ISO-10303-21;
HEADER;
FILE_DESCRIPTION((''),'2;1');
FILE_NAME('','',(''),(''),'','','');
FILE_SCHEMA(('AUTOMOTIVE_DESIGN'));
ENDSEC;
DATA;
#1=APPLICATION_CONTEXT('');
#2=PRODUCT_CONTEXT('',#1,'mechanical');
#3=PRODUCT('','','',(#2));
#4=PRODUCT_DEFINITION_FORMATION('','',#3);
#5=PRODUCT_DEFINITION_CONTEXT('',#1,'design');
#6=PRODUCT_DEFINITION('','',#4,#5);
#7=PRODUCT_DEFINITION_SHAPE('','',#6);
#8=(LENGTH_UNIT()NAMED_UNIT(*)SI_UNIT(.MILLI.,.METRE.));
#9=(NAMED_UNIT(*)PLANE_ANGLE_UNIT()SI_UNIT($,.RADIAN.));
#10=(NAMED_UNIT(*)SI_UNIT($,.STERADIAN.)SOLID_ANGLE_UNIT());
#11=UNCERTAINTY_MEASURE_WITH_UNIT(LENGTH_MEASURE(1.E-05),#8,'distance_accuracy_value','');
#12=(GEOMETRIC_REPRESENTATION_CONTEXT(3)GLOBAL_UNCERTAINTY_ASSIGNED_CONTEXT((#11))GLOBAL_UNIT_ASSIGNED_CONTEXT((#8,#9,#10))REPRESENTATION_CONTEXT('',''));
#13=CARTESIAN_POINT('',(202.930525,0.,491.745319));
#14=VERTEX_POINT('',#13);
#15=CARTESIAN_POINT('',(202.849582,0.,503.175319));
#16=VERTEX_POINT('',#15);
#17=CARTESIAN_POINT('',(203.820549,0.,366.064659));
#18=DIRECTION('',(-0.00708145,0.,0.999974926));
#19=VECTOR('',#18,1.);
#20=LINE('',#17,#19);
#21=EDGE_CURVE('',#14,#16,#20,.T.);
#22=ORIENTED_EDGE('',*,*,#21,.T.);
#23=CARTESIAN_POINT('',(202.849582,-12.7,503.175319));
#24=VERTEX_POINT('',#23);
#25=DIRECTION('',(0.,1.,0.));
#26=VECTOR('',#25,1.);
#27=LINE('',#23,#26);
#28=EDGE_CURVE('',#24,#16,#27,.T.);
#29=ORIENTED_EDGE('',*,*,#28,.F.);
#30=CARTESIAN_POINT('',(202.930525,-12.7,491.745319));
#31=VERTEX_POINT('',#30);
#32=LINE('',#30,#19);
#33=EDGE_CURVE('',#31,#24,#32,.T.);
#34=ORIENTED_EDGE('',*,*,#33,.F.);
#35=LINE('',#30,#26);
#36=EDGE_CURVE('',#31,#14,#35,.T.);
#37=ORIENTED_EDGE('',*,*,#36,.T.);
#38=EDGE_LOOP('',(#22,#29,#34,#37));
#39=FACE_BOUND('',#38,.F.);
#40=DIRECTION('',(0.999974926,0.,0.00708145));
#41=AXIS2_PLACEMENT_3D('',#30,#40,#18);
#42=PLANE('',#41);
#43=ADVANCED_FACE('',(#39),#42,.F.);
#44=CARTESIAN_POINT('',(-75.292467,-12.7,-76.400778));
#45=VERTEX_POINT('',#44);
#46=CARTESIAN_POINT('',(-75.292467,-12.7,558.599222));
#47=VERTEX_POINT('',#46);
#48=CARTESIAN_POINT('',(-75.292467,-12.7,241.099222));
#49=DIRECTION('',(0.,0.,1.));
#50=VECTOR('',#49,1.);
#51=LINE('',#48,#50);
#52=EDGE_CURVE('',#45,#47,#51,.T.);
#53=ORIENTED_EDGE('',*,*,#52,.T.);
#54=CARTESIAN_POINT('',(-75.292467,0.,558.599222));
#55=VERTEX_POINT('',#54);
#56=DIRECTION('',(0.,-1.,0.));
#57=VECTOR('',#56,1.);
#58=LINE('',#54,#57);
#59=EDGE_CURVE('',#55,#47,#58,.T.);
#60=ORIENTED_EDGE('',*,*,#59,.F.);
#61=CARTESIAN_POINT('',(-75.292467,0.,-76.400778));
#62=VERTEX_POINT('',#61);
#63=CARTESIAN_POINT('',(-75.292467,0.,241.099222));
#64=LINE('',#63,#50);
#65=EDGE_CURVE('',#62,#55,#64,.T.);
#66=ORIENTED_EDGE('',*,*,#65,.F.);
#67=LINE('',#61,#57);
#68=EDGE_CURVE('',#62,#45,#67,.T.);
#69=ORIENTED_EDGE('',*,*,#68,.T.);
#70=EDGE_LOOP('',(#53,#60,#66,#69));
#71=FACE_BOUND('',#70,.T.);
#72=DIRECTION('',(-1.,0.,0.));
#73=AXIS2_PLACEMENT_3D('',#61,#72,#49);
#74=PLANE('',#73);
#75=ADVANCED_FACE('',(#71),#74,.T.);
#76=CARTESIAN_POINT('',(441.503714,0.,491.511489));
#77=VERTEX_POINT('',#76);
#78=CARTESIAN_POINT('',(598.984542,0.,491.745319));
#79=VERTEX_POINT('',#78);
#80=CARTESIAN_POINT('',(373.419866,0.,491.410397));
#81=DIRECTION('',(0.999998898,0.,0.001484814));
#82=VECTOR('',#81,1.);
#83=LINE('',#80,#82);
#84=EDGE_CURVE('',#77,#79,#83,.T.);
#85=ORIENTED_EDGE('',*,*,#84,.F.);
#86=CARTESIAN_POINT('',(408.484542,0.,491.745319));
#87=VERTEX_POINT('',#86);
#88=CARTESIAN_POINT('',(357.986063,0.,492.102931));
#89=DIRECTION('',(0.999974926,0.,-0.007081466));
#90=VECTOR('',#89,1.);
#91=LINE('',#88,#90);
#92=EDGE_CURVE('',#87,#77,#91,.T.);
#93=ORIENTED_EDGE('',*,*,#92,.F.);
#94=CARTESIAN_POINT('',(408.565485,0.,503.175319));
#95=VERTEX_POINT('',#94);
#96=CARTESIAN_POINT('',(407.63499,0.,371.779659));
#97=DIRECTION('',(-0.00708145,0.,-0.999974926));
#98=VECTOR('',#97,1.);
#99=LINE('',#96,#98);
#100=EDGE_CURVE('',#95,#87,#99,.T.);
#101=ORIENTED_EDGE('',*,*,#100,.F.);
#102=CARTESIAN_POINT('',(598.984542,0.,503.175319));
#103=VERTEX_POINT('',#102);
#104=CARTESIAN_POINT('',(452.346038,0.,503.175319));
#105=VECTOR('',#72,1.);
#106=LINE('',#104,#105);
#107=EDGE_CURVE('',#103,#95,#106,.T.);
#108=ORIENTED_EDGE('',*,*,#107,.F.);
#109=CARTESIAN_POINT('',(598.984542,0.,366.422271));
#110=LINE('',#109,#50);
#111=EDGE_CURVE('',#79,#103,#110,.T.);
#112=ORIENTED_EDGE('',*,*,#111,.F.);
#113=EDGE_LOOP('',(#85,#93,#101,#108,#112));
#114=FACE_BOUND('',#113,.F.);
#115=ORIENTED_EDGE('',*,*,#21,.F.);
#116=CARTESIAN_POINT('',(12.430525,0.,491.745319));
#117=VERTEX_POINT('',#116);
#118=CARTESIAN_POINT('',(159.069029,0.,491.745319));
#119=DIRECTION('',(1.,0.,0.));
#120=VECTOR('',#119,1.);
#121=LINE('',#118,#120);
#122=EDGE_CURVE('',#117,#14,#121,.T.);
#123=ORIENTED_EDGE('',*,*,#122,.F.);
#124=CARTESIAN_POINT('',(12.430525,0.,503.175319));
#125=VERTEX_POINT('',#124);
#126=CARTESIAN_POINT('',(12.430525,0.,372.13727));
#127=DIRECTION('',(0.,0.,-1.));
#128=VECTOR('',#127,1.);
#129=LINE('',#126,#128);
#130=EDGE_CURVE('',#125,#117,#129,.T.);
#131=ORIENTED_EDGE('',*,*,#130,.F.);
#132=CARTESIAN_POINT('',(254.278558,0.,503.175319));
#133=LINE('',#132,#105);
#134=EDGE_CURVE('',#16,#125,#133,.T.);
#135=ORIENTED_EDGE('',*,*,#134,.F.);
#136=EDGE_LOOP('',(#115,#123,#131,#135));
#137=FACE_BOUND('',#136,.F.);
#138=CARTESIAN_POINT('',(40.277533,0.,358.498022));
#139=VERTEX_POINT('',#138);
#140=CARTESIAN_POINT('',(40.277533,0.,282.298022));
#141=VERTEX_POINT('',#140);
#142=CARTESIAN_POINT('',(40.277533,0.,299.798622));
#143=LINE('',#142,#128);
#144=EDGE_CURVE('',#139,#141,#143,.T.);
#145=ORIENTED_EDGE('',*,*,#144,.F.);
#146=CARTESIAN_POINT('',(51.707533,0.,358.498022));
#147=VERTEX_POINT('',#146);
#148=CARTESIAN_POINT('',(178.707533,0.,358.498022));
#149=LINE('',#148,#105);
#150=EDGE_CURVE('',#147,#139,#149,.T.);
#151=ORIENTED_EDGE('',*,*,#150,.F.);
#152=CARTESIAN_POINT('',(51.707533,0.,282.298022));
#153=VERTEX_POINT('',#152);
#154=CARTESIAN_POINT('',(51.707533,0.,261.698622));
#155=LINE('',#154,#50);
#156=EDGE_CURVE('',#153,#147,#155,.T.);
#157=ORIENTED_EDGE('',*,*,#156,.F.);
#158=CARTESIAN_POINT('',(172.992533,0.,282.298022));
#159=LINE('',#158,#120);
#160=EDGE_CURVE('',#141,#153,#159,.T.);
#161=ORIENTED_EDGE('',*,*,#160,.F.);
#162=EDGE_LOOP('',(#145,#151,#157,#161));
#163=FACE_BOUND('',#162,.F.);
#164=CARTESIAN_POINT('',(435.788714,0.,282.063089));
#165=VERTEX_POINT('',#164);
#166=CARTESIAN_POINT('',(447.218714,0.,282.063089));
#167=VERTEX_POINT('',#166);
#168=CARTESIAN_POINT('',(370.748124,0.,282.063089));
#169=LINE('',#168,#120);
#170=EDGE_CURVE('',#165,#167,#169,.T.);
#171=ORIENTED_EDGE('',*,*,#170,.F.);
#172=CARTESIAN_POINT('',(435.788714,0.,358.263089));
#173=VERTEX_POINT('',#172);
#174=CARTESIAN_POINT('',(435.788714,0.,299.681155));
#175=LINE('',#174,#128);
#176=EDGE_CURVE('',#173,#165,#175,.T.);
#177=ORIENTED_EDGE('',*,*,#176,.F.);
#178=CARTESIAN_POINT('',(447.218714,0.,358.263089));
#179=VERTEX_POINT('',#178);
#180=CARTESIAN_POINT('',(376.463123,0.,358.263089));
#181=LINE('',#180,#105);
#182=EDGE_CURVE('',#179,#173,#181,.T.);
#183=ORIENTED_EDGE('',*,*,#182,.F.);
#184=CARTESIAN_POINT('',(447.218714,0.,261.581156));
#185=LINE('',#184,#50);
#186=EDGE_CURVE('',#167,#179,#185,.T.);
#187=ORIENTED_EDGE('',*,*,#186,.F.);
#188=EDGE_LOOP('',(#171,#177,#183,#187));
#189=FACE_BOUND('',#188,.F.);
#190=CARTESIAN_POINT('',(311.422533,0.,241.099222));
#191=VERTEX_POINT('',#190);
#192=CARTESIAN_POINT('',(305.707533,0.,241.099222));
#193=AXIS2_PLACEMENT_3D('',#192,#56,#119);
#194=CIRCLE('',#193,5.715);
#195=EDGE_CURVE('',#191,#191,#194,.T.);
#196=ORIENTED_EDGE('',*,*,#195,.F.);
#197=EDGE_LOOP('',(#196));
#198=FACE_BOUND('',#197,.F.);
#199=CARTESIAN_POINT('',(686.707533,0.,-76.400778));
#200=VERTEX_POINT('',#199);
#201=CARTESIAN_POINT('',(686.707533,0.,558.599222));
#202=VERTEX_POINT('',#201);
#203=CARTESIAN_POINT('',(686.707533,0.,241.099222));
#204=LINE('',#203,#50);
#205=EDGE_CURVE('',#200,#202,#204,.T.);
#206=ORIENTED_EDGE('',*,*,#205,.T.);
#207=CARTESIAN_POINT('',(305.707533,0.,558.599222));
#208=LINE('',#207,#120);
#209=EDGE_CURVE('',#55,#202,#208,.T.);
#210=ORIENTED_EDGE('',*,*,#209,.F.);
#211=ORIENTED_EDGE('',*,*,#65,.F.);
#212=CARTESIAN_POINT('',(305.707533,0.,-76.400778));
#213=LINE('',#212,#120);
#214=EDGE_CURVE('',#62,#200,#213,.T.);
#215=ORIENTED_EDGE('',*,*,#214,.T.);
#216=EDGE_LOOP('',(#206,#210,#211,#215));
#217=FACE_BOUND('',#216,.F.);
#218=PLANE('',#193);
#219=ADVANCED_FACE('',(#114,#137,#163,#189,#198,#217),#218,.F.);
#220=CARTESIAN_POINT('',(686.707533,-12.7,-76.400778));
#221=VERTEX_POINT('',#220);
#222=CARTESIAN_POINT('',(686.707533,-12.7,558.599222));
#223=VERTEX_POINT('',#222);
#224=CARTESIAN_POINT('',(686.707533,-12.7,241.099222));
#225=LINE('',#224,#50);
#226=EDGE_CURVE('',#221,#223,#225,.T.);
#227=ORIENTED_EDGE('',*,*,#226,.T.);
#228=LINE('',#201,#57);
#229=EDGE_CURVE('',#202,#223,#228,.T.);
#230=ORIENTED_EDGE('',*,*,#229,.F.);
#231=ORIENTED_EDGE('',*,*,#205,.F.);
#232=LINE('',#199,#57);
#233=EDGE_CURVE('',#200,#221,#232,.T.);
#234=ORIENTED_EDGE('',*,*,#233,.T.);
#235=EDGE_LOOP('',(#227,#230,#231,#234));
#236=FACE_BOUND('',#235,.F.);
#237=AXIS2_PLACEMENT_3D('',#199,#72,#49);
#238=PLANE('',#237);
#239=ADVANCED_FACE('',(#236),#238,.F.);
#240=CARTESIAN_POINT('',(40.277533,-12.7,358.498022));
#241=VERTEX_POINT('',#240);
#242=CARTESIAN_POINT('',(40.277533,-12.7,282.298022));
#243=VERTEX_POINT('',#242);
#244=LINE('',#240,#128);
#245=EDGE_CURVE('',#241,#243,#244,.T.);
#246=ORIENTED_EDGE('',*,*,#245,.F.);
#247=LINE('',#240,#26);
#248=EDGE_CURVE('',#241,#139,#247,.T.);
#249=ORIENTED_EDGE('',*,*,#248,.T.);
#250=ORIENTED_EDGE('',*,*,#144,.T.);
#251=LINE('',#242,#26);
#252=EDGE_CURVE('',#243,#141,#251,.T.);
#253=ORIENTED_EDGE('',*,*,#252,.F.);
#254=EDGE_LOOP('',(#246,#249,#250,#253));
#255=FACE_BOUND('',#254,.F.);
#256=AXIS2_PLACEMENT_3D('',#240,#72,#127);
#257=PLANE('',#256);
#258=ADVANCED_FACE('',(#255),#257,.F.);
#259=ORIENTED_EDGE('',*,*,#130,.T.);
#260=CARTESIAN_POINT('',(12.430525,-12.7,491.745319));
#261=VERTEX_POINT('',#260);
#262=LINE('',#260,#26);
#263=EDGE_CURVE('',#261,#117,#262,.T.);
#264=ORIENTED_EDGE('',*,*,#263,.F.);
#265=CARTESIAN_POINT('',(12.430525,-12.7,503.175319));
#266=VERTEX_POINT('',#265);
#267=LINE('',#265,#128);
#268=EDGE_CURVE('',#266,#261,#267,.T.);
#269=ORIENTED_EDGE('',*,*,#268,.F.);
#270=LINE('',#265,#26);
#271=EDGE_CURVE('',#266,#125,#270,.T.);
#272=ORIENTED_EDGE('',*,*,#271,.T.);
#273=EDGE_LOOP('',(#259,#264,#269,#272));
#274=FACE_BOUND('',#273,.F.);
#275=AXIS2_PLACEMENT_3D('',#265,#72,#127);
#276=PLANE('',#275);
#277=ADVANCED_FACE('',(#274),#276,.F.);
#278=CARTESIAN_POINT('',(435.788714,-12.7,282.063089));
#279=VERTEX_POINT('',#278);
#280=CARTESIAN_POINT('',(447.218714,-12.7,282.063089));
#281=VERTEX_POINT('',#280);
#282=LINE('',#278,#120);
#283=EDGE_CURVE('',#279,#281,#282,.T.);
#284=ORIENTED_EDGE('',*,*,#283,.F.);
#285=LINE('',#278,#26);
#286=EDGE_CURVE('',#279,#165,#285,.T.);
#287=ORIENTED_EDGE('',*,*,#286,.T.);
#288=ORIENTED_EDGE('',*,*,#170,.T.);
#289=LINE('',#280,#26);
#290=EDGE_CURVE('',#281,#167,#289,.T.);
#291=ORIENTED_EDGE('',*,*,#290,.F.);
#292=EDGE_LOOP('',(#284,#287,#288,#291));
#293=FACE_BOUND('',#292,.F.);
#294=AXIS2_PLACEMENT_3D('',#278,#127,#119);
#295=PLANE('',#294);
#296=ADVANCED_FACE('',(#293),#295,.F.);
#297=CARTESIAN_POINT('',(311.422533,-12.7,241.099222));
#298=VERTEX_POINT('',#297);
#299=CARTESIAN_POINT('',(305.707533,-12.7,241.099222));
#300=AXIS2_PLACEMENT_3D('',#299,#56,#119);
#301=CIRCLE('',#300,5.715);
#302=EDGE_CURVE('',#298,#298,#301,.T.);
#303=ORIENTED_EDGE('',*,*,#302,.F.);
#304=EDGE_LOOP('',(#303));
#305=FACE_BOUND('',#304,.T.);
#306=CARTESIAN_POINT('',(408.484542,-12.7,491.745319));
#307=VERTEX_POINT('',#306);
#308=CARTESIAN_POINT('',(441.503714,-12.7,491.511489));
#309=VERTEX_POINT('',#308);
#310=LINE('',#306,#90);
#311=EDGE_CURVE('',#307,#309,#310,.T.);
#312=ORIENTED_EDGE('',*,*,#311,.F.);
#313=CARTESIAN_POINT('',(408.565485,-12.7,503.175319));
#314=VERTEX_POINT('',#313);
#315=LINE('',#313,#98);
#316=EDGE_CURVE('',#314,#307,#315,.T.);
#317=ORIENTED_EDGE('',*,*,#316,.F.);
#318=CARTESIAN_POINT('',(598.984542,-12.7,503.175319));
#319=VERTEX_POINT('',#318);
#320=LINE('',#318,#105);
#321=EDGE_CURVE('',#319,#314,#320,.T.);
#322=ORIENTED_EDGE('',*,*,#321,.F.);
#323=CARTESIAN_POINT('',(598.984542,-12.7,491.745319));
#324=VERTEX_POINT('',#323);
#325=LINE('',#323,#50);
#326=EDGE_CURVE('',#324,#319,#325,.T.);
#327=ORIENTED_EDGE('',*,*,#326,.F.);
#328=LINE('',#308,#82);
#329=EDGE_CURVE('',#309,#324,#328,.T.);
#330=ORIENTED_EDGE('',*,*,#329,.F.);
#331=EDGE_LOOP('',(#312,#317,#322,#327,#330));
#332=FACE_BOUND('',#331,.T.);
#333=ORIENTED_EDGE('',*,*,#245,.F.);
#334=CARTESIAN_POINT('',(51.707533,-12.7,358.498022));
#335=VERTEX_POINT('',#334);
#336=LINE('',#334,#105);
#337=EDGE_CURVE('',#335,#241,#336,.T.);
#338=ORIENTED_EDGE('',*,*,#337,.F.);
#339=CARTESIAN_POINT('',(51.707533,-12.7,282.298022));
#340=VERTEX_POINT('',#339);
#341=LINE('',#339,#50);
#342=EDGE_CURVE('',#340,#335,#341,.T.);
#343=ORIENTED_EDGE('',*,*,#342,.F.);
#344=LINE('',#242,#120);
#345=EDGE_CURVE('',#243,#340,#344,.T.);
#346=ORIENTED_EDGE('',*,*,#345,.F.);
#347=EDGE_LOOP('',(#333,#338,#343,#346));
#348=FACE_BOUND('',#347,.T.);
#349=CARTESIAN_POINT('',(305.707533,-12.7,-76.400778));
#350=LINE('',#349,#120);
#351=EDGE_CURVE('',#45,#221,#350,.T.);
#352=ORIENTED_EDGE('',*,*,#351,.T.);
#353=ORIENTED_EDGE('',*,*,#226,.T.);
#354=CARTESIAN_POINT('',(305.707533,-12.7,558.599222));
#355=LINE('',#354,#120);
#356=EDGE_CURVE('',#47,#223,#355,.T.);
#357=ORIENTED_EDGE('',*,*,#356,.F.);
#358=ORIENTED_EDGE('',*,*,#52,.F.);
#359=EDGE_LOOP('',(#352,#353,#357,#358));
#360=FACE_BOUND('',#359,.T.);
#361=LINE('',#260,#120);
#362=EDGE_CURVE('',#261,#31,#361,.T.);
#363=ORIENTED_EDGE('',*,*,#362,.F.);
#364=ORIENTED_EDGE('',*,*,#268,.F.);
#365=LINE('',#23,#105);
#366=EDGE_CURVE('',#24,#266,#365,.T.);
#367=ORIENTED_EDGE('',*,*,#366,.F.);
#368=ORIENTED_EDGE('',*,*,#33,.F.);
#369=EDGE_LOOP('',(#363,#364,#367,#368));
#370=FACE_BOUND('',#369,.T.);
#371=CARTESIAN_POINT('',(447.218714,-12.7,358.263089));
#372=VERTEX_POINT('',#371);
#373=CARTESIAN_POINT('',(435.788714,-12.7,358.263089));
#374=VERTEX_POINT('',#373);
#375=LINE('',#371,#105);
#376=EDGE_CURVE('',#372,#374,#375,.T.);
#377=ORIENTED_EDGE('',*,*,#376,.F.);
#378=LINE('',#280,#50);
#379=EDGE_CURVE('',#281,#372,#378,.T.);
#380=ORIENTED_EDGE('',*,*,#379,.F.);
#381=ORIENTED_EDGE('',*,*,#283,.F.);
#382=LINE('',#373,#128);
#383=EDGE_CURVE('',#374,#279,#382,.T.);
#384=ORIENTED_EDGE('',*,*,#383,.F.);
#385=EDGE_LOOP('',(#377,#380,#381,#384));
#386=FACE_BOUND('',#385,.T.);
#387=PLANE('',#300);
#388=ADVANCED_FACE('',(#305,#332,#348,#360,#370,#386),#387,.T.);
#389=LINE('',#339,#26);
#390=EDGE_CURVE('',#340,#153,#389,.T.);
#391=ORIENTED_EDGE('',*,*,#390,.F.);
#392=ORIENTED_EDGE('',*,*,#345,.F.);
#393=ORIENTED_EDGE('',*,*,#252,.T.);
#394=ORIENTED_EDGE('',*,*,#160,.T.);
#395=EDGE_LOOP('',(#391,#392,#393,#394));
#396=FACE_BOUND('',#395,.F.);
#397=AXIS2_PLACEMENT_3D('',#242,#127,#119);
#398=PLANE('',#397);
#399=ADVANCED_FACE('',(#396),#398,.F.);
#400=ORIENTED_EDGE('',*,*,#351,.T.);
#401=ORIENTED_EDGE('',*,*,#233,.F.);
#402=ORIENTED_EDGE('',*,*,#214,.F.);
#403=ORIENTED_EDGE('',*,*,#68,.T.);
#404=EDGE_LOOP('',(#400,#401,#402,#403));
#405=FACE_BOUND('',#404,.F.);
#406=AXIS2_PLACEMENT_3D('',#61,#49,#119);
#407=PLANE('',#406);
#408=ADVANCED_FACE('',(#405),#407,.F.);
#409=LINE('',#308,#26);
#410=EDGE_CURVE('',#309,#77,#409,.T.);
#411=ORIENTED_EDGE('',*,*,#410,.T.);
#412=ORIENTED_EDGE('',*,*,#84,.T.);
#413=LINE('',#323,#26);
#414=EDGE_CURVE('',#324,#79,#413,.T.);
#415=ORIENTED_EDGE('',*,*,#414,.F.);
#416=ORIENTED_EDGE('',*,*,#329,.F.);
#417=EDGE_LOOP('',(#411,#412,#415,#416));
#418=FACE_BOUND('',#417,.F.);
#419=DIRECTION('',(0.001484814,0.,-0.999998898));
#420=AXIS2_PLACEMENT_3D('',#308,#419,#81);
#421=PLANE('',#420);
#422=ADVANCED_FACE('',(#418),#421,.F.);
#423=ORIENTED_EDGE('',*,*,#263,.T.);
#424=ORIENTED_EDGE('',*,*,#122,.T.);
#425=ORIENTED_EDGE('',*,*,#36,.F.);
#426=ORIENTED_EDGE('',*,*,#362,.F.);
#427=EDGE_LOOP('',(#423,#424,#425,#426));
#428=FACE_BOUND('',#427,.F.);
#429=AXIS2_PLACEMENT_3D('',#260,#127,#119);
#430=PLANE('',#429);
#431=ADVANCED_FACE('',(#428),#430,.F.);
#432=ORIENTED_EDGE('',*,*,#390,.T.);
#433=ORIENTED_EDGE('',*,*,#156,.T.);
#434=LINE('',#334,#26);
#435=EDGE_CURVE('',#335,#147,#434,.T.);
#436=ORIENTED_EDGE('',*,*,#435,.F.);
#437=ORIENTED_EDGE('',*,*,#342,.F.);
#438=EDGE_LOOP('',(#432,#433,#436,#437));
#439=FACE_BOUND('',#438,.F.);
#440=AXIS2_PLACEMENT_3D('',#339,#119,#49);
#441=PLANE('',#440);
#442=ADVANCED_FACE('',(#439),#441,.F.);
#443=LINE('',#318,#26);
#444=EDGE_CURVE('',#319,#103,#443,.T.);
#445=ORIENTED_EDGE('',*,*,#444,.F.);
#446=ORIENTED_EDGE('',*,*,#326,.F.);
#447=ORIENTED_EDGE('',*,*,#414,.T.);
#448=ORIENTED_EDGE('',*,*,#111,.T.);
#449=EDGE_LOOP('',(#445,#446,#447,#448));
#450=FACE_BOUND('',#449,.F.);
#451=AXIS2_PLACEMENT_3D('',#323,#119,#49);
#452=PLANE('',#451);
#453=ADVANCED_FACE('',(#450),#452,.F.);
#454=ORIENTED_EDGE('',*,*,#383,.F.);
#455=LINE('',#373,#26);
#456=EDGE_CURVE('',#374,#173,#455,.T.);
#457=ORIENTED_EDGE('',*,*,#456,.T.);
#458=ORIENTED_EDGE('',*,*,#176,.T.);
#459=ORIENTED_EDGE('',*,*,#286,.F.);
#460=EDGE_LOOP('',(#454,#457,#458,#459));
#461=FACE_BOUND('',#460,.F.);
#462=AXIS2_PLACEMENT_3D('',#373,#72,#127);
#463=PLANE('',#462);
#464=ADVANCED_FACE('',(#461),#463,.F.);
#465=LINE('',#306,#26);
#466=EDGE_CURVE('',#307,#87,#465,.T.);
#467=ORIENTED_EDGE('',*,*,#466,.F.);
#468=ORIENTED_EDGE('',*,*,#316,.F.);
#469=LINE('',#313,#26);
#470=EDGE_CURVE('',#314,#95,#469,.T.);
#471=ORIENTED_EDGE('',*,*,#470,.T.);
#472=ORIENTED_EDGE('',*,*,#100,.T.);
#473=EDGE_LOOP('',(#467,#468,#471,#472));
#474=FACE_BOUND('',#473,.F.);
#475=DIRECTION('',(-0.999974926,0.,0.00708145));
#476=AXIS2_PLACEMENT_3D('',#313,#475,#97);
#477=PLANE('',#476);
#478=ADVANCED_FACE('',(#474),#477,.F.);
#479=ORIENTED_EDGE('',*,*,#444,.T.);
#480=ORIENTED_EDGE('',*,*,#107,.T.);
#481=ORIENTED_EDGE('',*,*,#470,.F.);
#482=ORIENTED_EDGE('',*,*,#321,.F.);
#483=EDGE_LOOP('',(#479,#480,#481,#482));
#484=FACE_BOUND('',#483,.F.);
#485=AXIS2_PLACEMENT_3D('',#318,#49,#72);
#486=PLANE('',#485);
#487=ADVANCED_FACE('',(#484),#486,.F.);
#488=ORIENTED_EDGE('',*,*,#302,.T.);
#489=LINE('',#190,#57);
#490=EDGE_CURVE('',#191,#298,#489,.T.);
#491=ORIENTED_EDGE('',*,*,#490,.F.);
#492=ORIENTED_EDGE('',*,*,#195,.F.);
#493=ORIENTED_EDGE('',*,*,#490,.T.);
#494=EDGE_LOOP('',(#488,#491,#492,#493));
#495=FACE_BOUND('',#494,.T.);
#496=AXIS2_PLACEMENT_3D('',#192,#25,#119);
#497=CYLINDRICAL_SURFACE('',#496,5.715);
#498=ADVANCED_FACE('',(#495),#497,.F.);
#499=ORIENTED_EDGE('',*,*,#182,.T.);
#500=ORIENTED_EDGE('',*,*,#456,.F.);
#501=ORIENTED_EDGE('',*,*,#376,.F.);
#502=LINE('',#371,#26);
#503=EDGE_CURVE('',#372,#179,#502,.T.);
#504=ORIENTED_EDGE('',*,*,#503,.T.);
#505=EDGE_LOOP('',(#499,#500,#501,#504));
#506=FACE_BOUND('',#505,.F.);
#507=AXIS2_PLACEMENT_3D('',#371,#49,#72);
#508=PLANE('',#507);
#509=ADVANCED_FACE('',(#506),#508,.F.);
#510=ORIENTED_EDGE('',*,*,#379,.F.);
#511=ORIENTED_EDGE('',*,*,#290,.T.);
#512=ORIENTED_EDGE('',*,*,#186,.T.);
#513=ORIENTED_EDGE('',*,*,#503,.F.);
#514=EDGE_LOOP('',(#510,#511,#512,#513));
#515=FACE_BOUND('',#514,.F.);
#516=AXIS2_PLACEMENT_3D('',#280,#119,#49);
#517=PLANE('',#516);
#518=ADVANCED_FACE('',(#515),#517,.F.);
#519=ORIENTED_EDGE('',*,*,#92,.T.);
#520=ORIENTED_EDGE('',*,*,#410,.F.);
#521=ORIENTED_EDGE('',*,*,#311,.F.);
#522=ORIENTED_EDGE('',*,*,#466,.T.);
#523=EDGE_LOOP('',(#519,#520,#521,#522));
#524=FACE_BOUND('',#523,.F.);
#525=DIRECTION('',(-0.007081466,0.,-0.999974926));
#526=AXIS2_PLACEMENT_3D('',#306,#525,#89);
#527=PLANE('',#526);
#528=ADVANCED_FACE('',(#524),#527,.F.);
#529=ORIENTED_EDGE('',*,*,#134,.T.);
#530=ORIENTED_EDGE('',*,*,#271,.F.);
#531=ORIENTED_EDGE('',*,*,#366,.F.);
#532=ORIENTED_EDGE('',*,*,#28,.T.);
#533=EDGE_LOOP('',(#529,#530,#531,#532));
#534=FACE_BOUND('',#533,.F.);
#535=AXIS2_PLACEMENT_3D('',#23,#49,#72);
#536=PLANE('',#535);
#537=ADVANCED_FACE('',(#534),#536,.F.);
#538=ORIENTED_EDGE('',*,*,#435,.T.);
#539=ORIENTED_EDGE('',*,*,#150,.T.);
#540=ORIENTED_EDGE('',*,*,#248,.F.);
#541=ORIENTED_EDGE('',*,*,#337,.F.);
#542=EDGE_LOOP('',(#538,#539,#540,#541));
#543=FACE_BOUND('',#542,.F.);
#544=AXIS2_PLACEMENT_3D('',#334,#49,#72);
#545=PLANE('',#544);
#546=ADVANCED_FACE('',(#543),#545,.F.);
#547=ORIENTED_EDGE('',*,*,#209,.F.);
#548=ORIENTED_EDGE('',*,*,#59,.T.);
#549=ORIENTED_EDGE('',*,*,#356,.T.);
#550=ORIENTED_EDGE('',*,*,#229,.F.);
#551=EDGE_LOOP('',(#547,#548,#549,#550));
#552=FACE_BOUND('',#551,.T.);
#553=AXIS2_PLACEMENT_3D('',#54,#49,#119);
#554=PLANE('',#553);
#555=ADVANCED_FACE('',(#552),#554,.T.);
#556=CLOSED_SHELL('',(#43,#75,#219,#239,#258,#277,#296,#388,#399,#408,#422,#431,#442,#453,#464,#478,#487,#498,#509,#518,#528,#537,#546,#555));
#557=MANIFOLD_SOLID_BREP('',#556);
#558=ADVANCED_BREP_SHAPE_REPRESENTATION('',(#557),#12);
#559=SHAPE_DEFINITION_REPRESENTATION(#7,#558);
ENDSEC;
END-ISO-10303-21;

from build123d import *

# Parameters (mm, degrees)
F0_W     = 762
F0_H     = 635
F0_R     = 5.715
F1_DEPTH = 12.7
F3_DEPTH = 25.4


with BuildPart() as f1:
    # F0 (on Front) → F1 (new body)
    with BuildSketch(Plane.XZ):
        with Locations((305.707533, 241.099222)):
            Rectangle(F0_W, F0_H)
        with Locations((305.707533, 241.099222)):
            Circle(F0_R, mode=Mode.SUBTRACT)
    extrude(amount=F1_DEPTH)

    # F2 (on face) → F3 (cut)
    with BuildSketch(Plane.XZ.offset(12.7)):
        Polygon((12.430525, 491.745319), (45.450525, 491.745319), (202.930525, 491.745319), (202.849582, 503.175319), (12.430525, 503.175319), align=None)
        Polygon((51.707533, 282.298022), (51.707533, 358.498022), (45.992533, 358.498022), (40.277533, 358.498022), (40.277533, 282.298022), align=None)
        Polygon((598.984542, 491.745319), (598.984542, 503.175319), (408.565485, 503.175319), (408.484542, 491.745319), (441.503714, 491.511489), align=None)
        Polygon((447.218714, 358.263089), (441.503714, 358.263089), (435.788714, 358.263089), (435.788714, 282.063089), (447.218714, 282.063089), align=None)
    extrude(amount=-F3_DEPTH, mode=Mode.SUBTRACT)


solid = f1.part
